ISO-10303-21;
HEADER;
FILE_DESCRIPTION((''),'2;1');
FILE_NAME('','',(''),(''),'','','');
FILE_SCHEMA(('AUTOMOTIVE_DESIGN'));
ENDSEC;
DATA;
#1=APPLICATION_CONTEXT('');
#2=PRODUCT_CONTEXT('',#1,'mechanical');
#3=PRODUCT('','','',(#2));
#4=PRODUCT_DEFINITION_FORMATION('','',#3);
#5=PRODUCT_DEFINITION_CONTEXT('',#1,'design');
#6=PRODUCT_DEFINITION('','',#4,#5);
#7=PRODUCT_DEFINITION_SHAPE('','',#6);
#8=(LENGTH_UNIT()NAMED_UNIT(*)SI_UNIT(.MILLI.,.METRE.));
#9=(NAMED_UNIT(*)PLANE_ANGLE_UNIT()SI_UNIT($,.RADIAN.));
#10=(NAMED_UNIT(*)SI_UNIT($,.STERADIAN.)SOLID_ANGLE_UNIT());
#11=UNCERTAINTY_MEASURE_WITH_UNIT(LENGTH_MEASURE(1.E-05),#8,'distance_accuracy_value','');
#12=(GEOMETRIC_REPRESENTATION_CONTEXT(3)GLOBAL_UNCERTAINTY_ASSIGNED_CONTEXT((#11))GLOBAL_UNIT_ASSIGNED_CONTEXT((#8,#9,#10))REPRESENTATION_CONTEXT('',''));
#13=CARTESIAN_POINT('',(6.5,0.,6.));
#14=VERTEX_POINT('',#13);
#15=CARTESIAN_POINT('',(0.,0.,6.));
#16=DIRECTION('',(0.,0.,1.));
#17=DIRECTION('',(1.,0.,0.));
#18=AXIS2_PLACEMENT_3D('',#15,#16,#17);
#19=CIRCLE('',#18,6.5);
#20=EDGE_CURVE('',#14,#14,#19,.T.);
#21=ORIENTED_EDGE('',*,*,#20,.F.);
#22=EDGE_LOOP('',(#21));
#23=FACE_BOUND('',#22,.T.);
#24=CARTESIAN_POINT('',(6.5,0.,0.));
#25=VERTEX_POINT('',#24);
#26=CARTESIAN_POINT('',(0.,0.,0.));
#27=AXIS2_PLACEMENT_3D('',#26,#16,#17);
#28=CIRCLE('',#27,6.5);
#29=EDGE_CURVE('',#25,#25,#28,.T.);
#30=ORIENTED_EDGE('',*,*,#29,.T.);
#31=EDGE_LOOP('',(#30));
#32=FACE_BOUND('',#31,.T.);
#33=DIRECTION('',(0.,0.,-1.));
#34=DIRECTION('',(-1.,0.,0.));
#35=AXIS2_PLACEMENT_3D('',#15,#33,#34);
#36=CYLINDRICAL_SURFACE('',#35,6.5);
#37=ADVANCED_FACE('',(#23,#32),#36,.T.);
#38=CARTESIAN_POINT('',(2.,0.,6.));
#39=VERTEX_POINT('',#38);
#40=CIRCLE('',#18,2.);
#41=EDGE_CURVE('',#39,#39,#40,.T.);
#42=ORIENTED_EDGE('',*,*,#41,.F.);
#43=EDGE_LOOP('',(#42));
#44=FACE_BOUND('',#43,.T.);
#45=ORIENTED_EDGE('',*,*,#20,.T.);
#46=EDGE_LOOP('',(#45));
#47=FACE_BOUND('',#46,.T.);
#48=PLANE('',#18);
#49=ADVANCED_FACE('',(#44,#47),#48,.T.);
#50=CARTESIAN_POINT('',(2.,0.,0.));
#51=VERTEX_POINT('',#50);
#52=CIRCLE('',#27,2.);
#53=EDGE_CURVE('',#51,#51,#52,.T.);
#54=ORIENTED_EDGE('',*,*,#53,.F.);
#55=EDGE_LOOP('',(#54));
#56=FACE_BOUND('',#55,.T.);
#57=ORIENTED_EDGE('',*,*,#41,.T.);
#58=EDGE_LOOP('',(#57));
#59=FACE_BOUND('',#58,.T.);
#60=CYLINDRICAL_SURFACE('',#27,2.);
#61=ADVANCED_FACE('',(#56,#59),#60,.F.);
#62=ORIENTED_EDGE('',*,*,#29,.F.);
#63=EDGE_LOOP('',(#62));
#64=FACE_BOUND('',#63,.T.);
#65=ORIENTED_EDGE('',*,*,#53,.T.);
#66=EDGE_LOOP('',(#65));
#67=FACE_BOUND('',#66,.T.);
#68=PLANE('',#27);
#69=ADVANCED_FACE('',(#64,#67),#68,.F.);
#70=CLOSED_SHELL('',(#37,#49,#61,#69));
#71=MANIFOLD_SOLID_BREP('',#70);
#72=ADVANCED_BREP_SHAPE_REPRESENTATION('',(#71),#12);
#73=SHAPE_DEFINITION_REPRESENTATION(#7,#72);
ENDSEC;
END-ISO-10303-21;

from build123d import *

# Parameters (mm, degrees)
SKETCH1_R           = 6.5
BOSS_EXTRUDE1_DEPTH = 6
SKETCH2_R           = 2
CUT_EXTRUDE1_DEPTH  = 6


with BuildPart() as part:
    # Sketch1 → Boss-Extrude1 (new body)
    with BuildSketch(Plane.XY):
        Circle(SKETCH1_R)
    extrude(amount=BOSS_EXTRUDE1_DEPTH)

    # Sketch2 → Cut-Extrude1 (cut)
    with BuildSketch(Plane.XY.offset(6)):
        Circle(SKETCH2_R)
    extrude(amount=-CUT_EXTRUDE1_DEPTH, mode=Mode.SUBTRACT)


solid = part.part
